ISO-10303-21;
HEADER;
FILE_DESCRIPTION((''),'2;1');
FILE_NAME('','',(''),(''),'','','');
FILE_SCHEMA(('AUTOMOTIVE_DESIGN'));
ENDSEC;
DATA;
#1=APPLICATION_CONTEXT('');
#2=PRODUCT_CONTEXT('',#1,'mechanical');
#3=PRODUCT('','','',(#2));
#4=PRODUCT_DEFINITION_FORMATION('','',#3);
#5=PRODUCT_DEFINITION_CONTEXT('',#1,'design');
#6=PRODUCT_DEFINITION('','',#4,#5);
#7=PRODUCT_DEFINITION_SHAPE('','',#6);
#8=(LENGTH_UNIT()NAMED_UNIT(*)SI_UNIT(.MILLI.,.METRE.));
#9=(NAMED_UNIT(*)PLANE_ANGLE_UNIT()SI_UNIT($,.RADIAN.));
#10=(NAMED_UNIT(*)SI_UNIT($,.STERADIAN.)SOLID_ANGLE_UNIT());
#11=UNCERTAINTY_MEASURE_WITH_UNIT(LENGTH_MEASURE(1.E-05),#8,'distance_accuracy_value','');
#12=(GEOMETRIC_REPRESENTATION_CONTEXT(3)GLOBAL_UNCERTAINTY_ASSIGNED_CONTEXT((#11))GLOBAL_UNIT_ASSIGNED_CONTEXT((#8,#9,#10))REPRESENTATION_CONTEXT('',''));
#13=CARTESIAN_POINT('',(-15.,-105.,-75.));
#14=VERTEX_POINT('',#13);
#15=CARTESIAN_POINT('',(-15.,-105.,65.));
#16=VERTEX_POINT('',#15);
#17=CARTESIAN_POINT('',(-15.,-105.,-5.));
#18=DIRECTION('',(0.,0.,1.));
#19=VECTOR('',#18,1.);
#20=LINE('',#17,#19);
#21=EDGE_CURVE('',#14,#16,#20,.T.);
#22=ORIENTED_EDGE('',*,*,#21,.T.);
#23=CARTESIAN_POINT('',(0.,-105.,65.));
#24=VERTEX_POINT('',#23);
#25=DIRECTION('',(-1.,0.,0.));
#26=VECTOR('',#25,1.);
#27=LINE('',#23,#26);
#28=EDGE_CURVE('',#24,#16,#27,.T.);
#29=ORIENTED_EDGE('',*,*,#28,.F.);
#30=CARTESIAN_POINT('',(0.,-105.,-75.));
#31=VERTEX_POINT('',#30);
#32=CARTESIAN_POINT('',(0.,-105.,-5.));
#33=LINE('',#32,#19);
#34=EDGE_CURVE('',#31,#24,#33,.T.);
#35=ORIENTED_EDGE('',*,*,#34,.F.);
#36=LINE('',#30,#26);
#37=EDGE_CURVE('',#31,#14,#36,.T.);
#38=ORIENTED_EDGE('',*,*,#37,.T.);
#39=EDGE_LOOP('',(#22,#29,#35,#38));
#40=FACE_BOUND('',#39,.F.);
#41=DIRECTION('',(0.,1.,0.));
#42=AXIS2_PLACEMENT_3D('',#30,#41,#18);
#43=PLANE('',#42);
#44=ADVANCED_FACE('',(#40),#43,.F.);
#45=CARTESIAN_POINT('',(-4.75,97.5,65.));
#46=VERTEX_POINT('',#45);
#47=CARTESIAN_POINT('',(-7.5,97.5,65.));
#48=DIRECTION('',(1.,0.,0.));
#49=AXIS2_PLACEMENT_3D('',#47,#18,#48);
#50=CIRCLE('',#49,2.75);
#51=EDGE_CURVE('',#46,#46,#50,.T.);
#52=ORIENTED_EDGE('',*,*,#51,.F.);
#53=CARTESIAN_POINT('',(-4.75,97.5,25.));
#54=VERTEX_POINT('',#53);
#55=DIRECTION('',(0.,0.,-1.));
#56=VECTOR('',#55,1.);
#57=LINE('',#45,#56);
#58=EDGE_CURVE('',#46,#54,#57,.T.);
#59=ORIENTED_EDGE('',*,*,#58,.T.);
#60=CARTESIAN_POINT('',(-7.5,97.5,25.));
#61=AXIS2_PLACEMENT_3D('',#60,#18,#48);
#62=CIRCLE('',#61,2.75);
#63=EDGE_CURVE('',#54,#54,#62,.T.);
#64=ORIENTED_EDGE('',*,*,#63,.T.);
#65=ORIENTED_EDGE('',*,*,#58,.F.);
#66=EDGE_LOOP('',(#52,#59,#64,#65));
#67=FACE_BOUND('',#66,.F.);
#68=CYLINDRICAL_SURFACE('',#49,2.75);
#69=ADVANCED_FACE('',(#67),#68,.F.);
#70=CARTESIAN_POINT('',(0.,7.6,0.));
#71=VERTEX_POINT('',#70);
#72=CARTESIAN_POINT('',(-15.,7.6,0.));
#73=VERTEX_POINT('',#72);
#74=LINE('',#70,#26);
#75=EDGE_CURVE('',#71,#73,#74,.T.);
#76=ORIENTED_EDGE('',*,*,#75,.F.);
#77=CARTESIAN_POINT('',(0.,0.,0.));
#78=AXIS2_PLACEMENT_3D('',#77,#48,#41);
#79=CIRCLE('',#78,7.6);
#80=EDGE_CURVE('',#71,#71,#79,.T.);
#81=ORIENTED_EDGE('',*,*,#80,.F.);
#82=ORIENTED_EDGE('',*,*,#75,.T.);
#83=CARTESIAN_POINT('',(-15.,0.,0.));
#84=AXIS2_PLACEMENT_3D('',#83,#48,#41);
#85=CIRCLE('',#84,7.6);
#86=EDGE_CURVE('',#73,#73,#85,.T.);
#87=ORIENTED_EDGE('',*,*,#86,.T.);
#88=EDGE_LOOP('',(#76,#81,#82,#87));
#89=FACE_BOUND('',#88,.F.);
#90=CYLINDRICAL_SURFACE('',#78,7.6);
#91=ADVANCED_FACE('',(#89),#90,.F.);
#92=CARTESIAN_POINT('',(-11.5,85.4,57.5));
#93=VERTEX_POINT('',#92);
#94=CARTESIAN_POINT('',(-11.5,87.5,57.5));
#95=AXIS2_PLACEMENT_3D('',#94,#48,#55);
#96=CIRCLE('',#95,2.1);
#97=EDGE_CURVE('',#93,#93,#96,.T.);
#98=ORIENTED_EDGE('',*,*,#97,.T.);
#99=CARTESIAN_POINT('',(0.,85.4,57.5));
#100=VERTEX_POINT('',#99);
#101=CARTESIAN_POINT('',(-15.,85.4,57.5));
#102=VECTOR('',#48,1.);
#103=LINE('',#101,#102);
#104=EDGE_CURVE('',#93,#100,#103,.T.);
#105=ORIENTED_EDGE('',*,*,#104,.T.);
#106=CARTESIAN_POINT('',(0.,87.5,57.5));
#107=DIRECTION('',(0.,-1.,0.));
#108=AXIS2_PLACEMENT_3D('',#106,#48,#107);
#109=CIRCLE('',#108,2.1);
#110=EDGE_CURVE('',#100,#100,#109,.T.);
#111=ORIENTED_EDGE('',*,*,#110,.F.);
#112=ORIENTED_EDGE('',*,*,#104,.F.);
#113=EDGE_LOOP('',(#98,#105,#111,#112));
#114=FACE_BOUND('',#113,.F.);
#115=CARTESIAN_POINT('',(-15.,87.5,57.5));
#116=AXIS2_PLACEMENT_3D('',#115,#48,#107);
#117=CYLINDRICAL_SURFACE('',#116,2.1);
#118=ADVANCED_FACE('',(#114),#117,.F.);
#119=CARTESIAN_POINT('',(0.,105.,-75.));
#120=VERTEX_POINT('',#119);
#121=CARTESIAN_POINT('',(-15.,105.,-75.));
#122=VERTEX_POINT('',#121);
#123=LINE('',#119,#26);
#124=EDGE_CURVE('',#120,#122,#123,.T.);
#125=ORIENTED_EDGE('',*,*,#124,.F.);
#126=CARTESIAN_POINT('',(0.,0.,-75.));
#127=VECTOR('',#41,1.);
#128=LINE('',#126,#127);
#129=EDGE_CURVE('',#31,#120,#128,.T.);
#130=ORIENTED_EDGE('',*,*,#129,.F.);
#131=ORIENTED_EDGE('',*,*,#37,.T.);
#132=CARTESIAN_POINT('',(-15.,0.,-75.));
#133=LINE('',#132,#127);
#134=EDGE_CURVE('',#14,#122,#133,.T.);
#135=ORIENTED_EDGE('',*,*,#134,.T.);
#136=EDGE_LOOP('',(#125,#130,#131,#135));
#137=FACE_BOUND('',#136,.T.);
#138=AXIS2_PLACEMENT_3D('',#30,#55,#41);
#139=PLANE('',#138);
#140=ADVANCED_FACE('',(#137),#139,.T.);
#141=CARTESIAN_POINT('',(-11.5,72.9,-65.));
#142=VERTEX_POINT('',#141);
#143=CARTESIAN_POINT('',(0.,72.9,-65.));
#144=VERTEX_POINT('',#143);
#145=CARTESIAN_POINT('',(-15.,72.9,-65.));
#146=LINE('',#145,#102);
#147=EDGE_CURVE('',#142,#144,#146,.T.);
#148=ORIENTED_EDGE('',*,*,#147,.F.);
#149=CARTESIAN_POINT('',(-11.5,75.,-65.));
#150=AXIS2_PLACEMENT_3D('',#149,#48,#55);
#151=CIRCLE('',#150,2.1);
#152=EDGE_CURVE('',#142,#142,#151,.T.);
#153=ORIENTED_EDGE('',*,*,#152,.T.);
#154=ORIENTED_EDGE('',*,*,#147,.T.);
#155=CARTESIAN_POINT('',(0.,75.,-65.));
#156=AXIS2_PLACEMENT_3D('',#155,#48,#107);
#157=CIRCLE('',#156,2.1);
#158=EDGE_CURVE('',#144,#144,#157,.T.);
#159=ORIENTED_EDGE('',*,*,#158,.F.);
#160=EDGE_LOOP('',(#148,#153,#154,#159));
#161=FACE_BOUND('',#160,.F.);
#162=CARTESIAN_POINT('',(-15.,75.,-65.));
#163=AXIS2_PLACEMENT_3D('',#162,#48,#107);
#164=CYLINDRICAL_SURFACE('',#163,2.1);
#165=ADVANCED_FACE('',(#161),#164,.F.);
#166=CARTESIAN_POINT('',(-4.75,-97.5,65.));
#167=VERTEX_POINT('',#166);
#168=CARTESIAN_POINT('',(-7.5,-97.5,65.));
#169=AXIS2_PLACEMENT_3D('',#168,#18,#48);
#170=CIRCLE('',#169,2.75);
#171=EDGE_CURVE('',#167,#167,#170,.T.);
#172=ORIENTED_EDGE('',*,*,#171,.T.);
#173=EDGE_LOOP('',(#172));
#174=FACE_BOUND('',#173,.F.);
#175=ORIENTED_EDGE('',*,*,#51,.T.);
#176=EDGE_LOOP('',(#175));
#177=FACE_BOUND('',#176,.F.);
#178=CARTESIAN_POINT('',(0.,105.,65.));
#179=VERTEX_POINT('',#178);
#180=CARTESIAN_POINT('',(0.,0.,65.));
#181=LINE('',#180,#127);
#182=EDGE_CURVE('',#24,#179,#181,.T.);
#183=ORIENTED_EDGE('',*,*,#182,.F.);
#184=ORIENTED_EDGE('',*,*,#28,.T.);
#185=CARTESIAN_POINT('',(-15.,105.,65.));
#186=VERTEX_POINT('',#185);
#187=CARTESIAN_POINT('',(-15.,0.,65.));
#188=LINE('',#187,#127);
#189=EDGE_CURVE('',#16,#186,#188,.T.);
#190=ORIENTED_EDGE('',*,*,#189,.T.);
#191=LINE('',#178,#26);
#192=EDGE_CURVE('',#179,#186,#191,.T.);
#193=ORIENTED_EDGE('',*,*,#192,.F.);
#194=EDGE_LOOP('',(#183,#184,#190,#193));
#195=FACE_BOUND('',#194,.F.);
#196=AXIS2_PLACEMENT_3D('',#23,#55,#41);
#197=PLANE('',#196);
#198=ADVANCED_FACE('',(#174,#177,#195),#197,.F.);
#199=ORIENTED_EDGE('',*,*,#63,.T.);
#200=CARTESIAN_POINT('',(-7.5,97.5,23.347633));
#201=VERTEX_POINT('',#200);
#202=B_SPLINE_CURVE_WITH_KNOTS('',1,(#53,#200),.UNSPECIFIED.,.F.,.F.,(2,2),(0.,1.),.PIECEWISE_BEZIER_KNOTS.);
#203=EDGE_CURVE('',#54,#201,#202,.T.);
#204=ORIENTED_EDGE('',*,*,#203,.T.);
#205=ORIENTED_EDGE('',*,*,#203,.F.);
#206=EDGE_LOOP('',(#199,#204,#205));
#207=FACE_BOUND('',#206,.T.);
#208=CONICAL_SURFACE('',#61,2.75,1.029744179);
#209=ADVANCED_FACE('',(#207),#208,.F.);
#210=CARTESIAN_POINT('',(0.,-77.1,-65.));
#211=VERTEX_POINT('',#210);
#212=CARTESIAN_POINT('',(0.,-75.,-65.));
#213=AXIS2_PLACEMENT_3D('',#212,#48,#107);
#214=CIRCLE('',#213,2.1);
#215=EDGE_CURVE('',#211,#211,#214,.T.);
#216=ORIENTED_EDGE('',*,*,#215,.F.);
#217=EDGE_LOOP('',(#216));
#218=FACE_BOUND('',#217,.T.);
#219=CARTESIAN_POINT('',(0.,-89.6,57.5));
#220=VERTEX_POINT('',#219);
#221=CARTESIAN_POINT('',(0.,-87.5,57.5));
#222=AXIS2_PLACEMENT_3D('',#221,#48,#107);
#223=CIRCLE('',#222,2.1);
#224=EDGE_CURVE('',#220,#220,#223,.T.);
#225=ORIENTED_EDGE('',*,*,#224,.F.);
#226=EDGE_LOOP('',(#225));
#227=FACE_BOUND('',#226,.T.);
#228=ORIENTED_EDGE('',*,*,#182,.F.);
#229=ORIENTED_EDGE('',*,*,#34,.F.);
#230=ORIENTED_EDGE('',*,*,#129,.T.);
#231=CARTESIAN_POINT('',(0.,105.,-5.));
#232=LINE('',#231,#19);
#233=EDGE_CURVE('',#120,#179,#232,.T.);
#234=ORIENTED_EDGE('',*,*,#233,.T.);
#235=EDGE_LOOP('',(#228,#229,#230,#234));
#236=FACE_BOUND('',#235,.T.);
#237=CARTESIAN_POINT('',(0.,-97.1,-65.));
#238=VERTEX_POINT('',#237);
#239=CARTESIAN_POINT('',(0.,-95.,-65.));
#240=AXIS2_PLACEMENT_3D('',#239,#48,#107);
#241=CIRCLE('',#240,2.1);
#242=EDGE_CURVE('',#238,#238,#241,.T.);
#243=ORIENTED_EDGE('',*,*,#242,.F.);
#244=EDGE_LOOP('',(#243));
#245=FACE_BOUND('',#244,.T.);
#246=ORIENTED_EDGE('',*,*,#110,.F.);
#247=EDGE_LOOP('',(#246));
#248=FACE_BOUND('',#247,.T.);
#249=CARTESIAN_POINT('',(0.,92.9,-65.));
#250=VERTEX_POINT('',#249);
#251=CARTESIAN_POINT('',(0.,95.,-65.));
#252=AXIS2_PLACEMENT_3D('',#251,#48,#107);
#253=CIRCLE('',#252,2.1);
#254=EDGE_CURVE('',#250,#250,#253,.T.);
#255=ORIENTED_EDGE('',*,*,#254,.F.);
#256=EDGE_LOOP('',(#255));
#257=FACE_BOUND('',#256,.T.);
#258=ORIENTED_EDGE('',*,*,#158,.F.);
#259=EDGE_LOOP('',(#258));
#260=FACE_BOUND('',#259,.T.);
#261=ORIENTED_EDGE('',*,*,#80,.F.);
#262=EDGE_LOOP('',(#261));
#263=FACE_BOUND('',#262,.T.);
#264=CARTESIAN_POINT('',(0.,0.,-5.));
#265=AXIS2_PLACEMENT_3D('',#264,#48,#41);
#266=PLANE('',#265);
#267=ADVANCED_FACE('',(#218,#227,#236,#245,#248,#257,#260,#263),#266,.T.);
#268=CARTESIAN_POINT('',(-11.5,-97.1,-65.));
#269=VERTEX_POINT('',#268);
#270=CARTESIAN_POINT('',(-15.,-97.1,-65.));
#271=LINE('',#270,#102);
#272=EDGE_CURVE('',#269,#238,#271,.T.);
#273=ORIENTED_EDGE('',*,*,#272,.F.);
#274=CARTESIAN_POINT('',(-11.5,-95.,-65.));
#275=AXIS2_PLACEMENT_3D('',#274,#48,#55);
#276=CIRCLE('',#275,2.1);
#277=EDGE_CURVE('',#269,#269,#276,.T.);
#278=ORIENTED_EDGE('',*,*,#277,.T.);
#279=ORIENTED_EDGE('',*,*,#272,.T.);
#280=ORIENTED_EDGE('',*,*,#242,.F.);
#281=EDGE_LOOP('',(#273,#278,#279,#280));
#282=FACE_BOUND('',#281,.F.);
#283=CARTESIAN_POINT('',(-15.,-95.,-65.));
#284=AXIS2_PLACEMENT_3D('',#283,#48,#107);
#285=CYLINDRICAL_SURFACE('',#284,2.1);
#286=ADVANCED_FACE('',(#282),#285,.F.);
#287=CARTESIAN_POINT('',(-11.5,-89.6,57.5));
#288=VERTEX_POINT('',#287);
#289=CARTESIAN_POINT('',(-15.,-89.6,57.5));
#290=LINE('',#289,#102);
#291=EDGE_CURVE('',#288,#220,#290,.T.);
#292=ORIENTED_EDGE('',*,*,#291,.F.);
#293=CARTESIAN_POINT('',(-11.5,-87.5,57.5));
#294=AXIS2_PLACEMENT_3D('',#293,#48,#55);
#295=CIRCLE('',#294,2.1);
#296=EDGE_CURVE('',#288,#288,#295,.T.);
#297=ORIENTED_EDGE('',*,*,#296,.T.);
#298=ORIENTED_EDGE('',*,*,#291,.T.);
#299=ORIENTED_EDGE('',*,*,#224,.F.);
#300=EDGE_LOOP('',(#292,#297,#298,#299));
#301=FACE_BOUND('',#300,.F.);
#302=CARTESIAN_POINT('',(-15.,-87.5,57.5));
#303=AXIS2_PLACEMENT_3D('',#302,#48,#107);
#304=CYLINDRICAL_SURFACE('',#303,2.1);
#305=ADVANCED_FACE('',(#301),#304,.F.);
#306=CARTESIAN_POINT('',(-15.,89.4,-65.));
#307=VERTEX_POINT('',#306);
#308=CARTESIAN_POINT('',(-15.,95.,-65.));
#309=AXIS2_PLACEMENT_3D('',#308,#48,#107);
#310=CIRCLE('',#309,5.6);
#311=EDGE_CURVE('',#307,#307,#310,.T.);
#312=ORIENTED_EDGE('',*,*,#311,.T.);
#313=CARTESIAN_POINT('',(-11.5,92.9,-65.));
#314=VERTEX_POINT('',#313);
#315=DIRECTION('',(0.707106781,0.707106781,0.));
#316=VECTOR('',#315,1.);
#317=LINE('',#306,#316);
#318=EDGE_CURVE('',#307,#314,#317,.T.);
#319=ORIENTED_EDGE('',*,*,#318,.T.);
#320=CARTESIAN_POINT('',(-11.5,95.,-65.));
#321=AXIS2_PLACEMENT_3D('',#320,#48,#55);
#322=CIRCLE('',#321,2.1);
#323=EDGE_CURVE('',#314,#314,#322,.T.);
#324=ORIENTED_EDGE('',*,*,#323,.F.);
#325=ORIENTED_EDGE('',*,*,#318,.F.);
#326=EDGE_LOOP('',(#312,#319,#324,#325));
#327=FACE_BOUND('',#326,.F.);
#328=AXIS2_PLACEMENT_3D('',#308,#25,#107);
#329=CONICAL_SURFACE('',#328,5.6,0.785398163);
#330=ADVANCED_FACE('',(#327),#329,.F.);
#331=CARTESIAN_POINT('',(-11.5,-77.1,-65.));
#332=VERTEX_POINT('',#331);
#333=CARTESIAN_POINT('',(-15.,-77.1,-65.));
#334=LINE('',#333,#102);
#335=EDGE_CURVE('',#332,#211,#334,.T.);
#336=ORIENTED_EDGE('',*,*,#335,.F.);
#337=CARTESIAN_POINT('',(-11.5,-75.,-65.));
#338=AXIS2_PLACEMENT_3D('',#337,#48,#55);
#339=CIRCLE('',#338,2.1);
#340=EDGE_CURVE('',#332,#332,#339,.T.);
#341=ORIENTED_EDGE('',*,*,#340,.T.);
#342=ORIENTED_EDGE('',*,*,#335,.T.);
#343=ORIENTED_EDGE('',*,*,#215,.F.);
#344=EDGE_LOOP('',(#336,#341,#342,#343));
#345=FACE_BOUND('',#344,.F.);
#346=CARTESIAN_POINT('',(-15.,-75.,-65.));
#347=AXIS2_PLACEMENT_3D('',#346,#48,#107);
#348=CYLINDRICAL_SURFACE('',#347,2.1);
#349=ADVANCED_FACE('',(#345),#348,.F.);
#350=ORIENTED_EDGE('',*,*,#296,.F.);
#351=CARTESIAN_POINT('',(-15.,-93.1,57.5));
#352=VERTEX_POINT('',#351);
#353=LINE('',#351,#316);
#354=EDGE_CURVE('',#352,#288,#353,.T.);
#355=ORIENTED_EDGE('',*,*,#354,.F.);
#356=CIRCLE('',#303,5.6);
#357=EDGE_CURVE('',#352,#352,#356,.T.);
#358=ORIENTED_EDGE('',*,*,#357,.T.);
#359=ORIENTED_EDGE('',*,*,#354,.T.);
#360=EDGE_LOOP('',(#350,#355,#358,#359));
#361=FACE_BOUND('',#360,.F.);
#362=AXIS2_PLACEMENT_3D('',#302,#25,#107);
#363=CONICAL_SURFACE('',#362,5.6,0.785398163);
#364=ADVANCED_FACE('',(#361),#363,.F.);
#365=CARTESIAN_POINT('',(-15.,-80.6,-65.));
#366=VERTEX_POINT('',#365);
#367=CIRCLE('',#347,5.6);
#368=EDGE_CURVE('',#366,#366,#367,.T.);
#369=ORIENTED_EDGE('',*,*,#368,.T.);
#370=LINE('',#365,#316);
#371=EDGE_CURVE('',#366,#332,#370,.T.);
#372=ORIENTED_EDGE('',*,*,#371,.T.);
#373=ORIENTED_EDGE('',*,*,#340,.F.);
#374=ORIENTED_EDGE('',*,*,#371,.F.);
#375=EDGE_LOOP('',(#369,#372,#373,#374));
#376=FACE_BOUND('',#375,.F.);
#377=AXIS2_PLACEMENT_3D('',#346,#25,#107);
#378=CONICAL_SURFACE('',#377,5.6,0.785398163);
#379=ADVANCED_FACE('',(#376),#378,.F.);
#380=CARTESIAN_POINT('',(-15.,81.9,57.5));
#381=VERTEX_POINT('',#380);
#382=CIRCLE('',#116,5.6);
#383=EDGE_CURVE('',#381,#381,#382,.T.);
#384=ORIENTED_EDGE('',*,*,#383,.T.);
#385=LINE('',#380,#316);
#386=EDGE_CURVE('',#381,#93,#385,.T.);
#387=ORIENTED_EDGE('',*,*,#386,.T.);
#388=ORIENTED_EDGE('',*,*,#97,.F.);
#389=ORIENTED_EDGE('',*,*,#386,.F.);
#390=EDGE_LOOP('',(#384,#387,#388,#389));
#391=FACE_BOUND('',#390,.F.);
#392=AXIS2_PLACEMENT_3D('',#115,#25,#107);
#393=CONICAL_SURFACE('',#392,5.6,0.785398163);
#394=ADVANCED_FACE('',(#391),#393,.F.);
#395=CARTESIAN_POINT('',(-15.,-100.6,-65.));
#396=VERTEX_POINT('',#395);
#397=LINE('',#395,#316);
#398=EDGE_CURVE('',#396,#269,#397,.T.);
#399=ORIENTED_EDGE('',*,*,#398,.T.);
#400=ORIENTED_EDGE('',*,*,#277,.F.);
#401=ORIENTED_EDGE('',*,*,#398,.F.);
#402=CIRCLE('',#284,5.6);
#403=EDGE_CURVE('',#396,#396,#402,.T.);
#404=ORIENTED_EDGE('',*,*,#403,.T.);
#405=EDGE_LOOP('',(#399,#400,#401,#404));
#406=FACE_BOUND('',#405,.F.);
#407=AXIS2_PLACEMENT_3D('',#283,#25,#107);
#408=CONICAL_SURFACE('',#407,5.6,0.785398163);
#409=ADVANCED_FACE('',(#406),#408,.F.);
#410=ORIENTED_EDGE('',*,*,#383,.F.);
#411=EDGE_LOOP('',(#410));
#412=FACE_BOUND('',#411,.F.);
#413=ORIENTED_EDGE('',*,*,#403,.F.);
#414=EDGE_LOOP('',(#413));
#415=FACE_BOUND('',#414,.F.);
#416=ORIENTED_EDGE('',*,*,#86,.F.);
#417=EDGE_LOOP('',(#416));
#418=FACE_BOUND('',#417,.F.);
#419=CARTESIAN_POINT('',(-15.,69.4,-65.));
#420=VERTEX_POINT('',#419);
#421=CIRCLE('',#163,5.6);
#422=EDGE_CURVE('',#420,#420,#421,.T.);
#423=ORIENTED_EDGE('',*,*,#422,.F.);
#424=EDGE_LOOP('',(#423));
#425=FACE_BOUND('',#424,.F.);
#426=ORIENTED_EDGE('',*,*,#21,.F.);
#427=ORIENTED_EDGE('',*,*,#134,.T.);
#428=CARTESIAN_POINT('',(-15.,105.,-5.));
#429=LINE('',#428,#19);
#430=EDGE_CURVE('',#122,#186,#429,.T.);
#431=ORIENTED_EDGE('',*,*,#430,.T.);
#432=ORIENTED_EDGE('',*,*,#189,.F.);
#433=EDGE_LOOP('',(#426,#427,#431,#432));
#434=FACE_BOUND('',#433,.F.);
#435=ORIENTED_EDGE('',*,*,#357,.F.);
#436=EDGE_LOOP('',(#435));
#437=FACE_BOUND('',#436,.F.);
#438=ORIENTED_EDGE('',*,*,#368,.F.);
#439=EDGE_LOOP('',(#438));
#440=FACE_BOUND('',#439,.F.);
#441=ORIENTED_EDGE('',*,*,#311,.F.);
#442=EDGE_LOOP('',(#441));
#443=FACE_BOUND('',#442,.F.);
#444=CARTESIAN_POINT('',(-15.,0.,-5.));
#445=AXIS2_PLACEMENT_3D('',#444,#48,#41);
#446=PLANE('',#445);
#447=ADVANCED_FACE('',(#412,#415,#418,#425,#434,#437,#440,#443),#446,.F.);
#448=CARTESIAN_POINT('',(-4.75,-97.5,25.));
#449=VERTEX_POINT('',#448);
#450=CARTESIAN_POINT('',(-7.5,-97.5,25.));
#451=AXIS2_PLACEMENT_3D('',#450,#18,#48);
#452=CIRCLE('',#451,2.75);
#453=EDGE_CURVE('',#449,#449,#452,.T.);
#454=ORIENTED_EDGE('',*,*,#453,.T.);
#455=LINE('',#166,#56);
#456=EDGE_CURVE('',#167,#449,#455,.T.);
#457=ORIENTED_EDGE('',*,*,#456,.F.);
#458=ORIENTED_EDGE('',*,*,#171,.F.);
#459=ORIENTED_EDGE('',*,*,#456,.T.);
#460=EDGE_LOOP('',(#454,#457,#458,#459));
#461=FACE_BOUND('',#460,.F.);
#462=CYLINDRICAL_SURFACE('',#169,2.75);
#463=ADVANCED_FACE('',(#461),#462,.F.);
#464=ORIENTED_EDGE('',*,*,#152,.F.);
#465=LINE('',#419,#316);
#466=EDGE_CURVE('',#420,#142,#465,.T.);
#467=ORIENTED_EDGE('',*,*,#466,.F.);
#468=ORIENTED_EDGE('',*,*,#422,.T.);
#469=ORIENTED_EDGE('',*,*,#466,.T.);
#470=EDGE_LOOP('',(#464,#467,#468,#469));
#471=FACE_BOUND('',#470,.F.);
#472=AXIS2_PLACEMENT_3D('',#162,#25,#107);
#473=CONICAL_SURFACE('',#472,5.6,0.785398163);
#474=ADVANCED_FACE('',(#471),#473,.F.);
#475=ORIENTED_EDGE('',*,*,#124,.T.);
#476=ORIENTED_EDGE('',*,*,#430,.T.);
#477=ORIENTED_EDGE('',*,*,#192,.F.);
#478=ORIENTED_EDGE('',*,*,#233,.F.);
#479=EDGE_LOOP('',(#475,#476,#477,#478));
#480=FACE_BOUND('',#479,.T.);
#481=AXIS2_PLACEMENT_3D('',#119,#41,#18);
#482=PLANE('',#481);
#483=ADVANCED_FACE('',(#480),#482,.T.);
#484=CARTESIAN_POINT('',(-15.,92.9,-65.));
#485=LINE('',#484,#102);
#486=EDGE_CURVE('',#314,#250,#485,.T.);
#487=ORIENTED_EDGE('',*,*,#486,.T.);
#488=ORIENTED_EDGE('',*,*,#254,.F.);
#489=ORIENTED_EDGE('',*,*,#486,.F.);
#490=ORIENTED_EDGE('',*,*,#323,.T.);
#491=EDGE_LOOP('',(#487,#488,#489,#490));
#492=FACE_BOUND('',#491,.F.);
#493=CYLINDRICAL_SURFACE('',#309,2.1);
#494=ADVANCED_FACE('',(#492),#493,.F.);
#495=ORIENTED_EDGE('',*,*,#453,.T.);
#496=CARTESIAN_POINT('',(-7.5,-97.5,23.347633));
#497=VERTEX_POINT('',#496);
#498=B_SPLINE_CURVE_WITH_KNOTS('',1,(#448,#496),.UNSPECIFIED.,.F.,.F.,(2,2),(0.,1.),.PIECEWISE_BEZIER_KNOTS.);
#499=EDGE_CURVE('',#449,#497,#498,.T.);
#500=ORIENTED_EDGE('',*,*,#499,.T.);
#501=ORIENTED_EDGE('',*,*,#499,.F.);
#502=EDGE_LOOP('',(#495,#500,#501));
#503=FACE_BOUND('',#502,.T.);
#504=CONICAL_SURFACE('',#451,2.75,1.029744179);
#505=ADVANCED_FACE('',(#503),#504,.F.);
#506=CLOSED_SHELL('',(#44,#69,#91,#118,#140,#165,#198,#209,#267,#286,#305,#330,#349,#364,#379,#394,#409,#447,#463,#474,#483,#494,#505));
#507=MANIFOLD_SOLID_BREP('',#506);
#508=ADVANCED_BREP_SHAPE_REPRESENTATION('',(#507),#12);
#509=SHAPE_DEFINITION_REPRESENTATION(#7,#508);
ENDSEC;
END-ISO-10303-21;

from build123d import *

# Parameters (mm, degrees)
SKETCH024_W         = 210
SKETCH024_H         = 140
PAD014_DEPTH        = 15
SKETCH025_R         = 7.6
POCKET006_DEPTH     = 35
HOLE004_D           = 4.2
HOLE004_DEPTH       = 25
HOLE004_CSINK_D     = 11.2
HOLE004_CSINK_ANGLE = 90
SKETCH029_R         = 2.75
HOLE007_DEPTH       = 40
HOLE007_TIPS_R      = 2.75


with BuildPart() as part:
    # Sketch024 → Pad014 (new body)
    with BuildSketch(Plane.YZ):
        with Locations((0, -5)):
            Rectangle(SKETCH024_W, SKETCH024_H)
    extrude(amount=-PAD014_DEPTH)

    # Sketch025 → Pocket006 (cut)
    with BuildSketch(Plane.YZ):
        Circle(SKETCH025_R)
    extrude(amount=-POCKET006_DEPTH, mode=Mode.SUBTRACT)

    # Hole004
    with Locations(Plane(origin=(-15, 0, 0), x_dir=(0, 1, 0), z_dir=(-1, 0, 0))):
        with Locations((-95, 65), (-75, 65), (95, 65), (75, 65), (-87.5, -57.5), (87.5, -57.5)):
            CounterSinkHole(HOLE004_D / 2, HOLE004_CSINK_D / 2, depth=HOLE004_DEPTH, counter_sink_angle=HOLE004_CSINK_ANGLE)

    # Sketch029 → Hole007 (cut)
    with BuildSketch(Plane.XY.offset(65)):
        with Locations((-7.5, -97.5)):
            Circle(SKETCH029_R)
        with Locations((-7.5, 97.5)):
            Circle(SKETCH029_R)
    extrude(amount=-HOLE007_DEPTH, mode=Mode.SUBTRACT)

    # Hole007 tips → Hole007 tip 1 section 0
    with BuildSketch(Plane.XY.offset(25), mode=Mode.PRIVATE) as hole007_tip_1_s0:
        with Locations((-7.5, -97.5)):
            Circle(HOLE007_TIPS_R)
    loft([hole007_tip_1_s0.sketch, Vertex(-7.5, -97.5, 23.347633)], mode=Mode.SUBTRACT)

    # Hole007 tips → Hole007 tip 2 section 0
    with BuildSketch(Plane.XY.offset(25), mode=Mode.PRIVATE) as hole007_tip_2_s0:
        with Locations((-7.5, 97.5)):
            Circle(HOLE007_TIPS_R)
    loft([hole007_tip_2_s0.sketch, Vertex(-7.5, 97.5, 23.347633)], mode=Mode.SUBTRACT)


solid = part.part
